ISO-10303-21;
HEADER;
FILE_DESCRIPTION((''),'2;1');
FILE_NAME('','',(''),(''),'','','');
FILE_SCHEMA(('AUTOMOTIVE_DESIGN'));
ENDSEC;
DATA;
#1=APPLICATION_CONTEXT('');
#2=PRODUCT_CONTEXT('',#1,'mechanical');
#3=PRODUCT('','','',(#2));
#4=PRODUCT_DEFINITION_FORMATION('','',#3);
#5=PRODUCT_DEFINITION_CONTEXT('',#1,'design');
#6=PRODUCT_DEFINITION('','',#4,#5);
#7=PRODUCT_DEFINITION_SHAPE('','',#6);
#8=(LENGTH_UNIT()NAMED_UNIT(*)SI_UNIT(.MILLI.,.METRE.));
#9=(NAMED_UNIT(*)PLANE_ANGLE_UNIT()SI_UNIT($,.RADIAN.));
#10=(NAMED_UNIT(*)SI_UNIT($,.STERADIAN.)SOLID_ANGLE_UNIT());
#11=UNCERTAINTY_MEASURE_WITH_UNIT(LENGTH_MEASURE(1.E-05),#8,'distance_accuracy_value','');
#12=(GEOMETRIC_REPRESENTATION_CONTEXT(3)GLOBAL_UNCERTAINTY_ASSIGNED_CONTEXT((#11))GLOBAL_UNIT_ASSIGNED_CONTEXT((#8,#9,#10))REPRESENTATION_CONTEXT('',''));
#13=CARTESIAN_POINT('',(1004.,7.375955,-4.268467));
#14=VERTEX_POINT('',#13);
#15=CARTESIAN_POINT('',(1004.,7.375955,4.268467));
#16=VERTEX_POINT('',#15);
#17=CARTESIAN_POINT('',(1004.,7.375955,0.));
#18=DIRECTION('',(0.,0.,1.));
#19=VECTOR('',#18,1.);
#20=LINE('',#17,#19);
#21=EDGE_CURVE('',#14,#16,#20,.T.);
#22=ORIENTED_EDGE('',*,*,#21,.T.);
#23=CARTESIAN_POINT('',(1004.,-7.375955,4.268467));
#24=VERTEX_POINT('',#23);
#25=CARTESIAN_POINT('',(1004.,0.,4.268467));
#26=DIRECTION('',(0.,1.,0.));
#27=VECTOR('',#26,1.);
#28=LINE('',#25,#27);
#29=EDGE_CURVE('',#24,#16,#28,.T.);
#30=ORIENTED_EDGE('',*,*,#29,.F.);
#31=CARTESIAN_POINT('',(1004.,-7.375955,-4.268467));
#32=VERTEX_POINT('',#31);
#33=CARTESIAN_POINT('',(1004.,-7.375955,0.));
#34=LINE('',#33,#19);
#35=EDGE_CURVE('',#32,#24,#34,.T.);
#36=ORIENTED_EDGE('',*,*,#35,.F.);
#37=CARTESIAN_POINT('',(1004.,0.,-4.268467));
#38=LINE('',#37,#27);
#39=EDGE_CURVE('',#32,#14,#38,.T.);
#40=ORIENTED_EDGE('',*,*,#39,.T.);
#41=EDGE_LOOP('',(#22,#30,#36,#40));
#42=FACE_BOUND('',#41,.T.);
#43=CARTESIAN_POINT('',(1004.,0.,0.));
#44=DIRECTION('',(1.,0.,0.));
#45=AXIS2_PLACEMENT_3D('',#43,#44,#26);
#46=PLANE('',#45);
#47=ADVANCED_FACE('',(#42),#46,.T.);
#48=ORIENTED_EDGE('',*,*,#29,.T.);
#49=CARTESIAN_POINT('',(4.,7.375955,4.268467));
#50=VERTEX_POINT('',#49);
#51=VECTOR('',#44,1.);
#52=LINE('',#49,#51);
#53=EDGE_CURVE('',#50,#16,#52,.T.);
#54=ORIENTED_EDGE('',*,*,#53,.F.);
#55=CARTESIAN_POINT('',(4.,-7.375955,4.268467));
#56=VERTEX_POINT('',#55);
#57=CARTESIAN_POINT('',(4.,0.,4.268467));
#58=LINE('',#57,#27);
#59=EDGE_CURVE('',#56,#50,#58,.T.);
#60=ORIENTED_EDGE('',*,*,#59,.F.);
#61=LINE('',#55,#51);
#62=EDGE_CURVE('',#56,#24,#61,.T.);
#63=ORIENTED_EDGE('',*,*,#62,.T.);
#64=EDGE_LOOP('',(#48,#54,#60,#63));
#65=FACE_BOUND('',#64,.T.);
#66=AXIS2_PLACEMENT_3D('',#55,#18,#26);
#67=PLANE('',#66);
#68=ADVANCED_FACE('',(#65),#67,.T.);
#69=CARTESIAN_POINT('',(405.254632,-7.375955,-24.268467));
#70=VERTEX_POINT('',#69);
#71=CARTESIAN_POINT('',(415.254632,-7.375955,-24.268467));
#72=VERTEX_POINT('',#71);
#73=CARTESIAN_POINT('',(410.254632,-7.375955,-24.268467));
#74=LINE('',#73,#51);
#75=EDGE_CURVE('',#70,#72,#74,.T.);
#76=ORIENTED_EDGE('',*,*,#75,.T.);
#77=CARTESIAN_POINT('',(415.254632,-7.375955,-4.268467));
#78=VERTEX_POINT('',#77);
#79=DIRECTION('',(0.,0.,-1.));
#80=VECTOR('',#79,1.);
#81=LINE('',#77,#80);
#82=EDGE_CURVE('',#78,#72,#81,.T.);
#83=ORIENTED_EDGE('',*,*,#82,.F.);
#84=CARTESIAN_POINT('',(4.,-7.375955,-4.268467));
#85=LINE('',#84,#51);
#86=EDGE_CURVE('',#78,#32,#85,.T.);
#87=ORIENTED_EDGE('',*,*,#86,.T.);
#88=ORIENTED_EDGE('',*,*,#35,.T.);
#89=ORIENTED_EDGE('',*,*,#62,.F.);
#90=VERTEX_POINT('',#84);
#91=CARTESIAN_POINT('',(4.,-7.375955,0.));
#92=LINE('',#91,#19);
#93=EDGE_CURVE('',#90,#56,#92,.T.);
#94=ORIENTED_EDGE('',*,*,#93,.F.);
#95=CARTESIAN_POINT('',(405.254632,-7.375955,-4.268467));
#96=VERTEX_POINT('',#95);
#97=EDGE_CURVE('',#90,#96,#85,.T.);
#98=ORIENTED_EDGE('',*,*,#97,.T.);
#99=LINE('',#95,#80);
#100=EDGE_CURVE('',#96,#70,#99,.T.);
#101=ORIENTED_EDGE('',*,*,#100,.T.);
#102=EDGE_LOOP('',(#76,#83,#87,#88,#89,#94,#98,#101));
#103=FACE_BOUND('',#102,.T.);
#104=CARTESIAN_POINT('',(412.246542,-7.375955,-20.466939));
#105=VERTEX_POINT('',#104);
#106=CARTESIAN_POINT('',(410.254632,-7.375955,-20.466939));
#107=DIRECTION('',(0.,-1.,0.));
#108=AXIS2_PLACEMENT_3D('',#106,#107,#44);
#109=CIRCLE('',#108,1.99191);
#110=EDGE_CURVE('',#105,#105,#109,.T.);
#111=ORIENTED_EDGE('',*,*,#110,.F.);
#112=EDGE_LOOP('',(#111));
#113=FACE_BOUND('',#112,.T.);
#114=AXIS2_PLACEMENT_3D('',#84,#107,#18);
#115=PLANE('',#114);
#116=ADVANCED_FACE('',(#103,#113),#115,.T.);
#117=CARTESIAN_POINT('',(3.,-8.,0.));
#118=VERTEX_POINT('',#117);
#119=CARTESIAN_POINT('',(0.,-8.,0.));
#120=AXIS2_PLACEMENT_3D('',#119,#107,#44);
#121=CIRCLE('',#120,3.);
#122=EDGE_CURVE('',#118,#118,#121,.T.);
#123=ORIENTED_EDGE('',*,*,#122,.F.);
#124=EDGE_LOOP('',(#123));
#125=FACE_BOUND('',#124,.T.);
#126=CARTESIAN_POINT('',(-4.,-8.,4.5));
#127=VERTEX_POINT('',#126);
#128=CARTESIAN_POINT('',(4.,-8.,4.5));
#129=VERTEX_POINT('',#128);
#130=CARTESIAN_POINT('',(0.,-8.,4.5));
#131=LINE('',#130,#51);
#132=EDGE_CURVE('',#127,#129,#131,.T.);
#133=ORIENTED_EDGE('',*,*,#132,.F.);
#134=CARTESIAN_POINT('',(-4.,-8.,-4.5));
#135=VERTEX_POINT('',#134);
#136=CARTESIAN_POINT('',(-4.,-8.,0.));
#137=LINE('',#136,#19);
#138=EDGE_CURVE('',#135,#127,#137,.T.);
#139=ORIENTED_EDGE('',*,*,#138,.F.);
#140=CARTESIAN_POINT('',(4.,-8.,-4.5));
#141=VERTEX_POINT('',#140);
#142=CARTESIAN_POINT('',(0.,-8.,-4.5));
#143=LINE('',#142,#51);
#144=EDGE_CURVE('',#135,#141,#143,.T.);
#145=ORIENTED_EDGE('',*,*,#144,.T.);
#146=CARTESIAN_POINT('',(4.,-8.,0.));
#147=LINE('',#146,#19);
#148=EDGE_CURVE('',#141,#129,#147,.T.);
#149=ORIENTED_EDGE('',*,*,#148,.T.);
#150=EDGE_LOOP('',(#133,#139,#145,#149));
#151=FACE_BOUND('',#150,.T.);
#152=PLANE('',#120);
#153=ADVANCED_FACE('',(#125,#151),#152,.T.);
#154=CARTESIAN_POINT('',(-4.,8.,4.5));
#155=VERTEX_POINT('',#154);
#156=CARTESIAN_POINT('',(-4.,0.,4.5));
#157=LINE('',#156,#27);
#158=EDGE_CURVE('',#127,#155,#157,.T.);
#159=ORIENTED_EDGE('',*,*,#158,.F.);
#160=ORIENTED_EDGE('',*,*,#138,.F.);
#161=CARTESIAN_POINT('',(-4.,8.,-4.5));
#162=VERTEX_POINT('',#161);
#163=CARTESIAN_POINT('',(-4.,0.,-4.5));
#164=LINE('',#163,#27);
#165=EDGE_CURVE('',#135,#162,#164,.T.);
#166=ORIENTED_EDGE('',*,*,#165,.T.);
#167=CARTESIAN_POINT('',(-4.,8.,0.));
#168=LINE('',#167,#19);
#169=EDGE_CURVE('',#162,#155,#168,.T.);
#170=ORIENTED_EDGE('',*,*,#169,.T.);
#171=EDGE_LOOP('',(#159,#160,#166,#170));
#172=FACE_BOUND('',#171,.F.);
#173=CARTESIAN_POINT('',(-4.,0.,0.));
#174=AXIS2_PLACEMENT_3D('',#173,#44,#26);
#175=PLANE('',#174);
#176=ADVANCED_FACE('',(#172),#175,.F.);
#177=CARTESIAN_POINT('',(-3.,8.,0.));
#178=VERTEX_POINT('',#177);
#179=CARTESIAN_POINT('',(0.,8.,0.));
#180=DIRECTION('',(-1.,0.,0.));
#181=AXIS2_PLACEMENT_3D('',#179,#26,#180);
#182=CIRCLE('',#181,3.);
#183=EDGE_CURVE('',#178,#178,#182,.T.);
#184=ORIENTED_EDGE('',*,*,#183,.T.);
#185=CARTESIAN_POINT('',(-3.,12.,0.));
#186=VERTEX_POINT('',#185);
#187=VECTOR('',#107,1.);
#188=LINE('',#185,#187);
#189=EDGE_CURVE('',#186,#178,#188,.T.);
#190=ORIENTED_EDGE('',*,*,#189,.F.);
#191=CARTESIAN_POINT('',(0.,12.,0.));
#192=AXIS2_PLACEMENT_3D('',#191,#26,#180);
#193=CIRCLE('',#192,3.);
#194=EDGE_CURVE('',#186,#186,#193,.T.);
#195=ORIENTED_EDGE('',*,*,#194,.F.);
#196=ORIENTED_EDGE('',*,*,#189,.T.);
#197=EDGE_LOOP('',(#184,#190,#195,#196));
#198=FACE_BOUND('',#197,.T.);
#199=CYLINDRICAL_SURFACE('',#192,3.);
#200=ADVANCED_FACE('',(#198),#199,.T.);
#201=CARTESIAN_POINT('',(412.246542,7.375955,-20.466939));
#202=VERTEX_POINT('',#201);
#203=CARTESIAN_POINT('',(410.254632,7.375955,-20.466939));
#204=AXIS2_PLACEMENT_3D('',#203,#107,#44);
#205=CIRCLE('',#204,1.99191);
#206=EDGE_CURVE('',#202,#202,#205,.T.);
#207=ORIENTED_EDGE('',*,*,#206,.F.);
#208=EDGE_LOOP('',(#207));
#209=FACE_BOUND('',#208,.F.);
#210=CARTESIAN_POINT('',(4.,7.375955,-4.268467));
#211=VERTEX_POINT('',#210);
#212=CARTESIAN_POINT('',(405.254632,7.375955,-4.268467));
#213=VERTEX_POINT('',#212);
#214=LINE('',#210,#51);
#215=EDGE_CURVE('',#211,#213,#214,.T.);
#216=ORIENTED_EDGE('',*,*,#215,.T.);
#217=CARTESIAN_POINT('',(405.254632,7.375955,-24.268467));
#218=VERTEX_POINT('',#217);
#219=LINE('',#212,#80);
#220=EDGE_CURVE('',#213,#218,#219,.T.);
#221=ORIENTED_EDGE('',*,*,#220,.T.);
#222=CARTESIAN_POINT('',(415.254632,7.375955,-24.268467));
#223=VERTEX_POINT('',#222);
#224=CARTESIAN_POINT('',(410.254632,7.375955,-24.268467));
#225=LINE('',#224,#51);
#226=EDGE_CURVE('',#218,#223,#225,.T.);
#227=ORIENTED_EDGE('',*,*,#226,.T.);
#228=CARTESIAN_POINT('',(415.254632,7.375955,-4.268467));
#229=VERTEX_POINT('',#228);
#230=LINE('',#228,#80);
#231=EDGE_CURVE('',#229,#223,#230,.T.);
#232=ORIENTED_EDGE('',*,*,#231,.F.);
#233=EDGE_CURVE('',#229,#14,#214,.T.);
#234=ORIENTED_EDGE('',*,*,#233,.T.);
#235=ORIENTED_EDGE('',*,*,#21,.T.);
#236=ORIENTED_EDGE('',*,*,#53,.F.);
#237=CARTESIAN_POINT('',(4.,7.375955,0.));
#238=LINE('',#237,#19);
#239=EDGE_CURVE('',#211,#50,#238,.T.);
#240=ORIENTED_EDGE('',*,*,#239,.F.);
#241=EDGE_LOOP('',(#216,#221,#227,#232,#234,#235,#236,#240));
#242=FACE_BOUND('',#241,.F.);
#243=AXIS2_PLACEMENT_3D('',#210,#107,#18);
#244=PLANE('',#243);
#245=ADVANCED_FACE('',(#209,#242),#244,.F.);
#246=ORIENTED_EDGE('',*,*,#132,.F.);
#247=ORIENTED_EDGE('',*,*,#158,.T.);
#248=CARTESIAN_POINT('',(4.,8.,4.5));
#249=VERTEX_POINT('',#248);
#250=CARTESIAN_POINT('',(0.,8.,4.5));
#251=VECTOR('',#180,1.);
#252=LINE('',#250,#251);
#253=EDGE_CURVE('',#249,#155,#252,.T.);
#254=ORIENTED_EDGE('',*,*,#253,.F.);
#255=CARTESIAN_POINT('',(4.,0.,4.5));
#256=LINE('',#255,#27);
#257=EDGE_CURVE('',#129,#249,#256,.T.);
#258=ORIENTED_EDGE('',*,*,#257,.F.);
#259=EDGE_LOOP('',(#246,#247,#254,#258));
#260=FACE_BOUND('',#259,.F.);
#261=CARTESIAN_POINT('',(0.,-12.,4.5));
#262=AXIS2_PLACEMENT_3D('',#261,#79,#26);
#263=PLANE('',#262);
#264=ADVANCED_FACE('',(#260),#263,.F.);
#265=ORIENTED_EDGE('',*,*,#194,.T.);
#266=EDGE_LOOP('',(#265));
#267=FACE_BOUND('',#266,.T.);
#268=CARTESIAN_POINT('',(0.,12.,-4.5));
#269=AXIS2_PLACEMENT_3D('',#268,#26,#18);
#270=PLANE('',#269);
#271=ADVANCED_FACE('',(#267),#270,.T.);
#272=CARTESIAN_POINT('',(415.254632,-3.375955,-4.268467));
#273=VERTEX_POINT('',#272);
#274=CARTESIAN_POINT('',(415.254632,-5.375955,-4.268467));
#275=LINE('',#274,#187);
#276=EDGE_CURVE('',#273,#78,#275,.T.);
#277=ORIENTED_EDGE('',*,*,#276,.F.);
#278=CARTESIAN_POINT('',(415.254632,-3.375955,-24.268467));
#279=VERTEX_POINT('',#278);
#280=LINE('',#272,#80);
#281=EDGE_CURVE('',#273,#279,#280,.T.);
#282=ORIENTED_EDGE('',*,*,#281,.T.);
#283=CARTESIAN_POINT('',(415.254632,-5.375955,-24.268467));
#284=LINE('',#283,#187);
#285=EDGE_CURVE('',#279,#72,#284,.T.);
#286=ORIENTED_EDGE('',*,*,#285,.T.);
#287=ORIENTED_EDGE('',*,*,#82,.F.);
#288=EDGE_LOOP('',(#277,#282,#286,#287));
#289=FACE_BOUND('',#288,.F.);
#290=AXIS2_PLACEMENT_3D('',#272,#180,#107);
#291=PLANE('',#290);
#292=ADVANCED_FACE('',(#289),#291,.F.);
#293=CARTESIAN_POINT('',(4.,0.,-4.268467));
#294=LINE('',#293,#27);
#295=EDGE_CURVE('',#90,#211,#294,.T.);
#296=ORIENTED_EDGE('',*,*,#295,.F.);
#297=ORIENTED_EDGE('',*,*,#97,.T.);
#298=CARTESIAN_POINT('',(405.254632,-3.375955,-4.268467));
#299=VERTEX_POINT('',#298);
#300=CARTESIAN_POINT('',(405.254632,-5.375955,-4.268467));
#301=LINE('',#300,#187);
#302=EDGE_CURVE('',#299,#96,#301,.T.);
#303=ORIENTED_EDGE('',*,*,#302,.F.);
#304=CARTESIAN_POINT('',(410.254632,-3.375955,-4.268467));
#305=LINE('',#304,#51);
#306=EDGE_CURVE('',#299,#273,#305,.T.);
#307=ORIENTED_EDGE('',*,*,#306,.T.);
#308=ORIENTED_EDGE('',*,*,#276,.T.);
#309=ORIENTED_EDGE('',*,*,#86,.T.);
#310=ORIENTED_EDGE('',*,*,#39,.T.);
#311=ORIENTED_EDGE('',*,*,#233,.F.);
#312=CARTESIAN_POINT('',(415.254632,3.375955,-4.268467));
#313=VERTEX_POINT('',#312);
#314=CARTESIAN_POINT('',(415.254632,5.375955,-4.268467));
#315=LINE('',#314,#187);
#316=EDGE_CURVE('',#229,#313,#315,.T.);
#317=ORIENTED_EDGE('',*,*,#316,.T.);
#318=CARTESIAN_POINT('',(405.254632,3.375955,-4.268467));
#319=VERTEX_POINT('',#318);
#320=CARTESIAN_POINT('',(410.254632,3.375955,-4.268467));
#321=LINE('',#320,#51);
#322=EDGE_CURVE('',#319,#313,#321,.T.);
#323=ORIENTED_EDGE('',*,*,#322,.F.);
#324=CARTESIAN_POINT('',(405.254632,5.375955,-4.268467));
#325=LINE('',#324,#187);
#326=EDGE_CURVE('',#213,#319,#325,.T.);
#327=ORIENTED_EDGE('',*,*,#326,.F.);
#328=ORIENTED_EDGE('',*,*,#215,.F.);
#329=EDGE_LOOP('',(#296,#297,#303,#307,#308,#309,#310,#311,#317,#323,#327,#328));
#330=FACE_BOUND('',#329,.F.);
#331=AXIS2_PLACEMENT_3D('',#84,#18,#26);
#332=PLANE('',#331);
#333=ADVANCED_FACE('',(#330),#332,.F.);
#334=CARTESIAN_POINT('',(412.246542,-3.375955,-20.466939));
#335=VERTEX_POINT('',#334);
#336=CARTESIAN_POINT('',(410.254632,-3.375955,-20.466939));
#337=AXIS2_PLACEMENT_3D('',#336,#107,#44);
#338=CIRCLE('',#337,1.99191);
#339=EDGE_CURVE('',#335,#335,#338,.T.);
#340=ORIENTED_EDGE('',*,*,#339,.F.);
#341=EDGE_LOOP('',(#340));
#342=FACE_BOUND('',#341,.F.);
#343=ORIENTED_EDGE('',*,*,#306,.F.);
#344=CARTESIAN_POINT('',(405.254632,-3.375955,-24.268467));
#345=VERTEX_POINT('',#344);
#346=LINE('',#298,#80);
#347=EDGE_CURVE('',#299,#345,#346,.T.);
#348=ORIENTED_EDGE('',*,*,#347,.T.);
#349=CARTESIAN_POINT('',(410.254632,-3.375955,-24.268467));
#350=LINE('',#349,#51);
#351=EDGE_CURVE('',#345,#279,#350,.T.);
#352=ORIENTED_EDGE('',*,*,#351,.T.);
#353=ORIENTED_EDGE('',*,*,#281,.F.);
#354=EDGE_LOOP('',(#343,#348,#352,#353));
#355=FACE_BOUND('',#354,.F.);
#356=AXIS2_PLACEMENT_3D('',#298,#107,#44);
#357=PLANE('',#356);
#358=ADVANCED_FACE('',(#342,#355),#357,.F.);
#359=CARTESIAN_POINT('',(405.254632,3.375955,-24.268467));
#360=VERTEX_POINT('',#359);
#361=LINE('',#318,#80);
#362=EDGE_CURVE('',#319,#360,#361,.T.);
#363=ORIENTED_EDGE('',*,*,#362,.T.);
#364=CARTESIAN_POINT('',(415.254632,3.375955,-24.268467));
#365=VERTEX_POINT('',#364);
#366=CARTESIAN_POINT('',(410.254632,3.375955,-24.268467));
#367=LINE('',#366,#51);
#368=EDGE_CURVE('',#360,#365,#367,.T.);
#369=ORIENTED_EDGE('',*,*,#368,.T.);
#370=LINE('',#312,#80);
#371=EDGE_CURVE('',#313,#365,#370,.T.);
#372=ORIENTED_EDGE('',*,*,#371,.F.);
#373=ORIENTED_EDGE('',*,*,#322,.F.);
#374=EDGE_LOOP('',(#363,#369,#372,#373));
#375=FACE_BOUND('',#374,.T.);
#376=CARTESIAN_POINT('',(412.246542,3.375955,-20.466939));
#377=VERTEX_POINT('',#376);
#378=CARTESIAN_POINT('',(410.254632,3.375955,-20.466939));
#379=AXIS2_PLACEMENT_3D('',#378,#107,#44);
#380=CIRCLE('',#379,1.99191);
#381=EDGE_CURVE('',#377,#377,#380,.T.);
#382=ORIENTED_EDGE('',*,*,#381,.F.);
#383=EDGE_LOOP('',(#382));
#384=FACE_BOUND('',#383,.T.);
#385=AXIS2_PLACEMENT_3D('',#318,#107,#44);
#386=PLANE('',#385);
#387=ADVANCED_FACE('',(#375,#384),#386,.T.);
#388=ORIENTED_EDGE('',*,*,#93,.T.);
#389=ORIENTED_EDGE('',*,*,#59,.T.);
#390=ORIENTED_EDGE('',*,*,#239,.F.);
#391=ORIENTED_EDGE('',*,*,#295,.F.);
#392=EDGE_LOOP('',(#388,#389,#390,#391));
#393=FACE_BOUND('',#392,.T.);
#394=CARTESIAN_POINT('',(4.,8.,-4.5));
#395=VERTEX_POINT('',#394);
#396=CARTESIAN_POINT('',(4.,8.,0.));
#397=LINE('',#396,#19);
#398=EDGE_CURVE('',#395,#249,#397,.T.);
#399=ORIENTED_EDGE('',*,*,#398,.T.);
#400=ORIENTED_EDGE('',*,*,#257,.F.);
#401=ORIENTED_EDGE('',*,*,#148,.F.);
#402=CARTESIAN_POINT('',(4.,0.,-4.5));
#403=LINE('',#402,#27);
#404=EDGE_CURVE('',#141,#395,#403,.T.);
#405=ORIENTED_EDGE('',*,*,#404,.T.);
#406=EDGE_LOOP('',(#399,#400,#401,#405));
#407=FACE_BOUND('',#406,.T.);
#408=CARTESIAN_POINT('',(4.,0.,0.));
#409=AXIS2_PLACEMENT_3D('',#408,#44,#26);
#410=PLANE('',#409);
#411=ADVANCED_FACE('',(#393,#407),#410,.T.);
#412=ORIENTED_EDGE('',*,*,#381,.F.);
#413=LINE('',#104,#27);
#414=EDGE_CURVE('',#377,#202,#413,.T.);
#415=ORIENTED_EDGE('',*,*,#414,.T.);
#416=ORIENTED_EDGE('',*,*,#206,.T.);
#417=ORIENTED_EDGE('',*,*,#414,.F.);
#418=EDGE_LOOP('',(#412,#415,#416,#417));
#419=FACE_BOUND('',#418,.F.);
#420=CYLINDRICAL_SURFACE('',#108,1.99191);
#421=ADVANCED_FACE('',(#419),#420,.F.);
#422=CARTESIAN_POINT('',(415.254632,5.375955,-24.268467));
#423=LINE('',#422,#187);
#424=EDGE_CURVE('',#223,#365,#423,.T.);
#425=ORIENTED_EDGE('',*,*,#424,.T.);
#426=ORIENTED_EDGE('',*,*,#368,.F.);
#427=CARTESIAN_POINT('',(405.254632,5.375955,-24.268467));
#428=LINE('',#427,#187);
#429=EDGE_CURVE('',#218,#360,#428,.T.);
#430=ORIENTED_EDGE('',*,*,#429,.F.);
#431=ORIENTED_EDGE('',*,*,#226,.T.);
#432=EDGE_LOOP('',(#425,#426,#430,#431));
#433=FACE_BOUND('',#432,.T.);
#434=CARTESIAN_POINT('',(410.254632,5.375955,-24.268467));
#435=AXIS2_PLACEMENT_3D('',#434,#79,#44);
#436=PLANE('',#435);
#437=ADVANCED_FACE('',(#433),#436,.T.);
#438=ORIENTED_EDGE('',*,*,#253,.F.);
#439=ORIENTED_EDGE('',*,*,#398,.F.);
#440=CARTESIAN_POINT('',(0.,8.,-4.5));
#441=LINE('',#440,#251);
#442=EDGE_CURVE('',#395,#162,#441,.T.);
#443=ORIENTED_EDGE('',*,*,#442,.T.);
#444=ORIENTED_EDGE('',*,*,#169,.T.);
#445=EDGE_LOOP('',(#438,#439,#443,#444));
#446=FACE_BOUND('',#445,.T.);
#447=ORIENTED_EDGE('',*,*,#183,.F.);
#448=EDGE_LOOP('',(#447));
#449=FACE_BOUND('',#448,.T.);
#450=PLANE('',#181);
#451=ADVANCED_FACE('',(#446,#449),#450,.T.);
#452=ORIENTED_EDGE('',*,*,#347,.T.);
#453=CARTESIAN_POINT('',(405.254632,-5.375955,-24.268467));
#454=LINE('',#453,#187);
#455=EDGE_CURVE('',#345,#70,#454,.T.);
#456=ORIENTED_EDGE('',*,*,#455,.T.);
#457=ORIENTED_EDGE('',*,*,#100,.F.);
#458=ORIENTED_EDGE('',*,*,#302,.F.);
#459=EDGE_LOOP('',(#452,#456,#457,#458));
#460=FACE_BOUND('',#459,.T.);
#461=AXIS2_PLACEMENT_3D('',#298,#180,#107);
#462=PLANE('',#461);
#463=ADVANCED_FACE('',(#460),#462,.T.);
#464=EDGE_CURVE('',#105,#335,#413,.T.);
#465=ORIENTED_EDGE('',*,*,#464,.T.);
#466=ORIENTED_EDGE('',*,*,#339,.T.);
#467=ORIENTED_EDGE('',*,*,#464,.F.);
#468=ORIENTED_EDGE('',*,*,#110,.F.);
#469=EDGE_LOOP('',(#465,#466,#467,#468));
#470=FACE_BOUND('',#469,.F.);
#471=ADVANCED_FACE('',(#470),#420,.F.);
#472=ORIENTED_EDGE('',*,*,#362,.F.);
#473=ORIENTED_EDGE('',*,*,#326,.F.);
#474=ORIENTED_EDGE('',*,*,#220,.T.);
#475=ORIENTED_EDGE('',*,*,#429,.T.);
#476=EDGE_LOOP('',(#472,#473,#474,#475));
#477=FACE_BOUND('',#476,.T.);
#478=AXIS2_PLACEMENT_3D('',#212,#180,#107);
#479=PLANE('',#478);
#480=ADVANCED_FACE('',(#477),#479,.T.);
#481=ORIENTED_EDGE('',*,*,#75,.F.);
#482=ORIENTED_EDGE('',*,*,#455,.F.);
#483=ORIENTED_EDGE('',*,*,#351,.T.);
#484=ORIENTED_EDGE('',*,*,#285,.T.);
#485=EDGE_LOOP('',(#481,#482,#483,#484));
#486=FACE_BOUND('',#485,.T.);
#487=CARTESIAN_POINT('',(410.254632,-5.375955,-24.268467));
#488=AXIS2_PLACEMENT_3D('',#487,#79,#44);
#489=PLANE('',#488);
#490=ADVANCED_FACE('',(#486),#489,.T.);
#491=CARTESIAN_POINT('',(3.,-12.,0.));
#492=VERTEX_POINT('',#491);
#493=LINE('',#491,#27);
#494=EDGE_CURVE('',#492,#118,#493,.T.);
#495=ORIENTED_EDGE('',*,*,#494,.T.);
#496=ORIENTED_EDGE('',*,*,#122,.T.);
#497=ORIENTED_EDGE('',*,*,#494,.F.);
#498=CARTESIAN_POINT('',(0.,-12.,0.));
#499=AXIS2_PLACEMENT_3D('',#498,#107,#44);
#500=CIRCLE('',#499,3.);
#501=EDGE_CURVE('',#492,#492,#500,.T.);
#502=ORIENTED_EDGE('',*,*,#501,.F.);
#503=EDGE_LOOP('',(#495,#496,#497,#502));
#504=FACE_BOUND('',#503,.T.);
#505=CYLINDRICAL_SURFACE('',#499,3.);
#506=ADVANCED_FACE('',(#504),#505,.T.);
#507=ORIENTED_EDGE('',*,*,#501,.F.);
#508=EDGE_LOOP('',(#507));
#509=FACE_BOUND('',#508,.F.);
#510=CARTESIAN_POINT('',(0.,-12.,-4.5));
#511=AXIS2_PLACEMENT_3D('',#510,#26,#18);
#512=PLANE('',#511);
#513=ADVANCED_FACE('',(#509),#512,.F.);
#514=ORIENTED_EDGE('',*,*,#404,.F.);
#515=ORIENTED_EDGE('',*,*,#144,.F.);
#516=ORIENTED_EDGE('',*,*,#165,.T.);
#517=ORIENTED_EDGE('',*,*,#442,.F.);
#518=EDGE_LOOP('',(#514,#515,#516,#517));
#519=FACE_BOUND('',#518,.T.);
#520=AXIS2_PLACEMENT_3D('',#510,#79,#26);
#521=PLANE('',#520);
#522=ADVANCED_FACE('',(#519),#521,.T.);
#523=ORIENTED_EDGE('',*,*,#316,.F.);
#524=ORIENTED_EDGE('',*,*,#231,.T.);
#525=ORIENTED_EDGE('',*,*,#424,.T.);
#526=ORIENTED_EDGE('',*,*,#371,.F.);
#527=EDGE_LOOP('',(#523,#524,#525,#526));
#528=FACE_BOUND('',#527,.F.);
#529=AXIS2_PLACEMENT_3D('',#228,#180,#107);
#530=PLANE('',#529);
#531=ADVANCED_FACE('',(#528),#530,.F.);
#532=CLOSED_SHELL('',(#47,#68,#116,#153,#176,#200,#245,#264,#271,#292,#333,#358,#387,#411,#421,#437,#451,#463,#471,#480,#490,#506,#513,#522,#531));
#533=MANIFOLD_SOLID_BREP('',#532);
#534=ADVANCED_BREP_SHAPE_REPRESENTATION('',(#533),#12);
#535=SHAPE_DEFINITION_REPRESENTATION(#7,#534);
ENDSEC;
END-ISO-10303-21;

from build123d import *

# Parameters (mm, degrees)
F0_W      = 24
F0_H      = 9
F1_DEPTH  = 4
F2_W      = 8
F2_H      = 9
F2_R      = 3
F3_DEPTH  = 4
F4_W      = 8
F4_H      = 9
F4_R      = 3
F5_DEPTH  = 4
F6_W      = 14.751910232
F6_H      = 8.5369339213
F7_DEPTH  = 1000
F8_W      = 10
F8_H      = 4
F9_DEPTH  = 20
F10_DEPTH = 20
F11_R     = 1.9919096681
F12_DEPTH = 50


with BuildPart() as f1:
    # F0 (on Right) → F1 (new body, symmetric)
    with BuildSketch(Plane.YZ):
        Rectangle(F0_W, F0_H)
    extrude(amount=F1_DEPTH, both=True)

    # F2 (on face) → F3 (cut)
    with BuildSketch(Plane.XZ.offset(12)):
        Rectangle(F2_W, F2_H)
        Circle(F2_R, mode=Mode.SUBTRACT)
    extrude(amount=-F3_DEPTH, mode=Mode.SUBTRACT)

    # F4 (on face) → F5 (cut)
    with BuildSketch(Plane(origin=(0, 12, 0), x_dir=(-1, 0, 0), z_dir=(0, 1, 0))):
        Rectangle(F4_W, F4_H)
        Circle(F4_R, mode=Mode.SUBTRACT)
    extrude(amount=-F5_DEPTH, mode=Mode.SUBTRACT)

    # F6 (on face) → F7 (join)
    with BuildSketch(Plane.YZ.offset(4)):
        Rectangle(F6_W, F6_H)
    extrude(amount=F7_DEPTH)

    # F8 (on face) → F9 (join)
    with BuildSketch(Plane(origin=(0, 0, -4.2684669606), x_dir=(1, 0, 0), z_dir=(0, 0, -1))):
        with Locations((410.2546322346, 5.375955116)):
            Rectangle(F8_W, F8_H)
    extrude(amount=F9_DEPTH)

    # F8 (on face) → F10 (join)
    with BuildSketch(Plane(origin=(0, 0, -4.2684669606), x_dir=(1, 0, 0), z_dir=(0, 0, -1))):
        with Locations((410.2546322346, -5.375955116)):
            Rectangle(F8_W, F8_H)
    extrude(amount=F10_DEPTH)

    # F11 (on face) → F12 (cut)
    with BuildSketch(Plane.XZ.offset(7.375955116)):
        with Locations((410.2546322346, -20.4669394419)):
            Circle(F11_R)
    extrude(amount=-F12_DEPTH, mode=Mode.SUBTRACT)


solid = f1.part
